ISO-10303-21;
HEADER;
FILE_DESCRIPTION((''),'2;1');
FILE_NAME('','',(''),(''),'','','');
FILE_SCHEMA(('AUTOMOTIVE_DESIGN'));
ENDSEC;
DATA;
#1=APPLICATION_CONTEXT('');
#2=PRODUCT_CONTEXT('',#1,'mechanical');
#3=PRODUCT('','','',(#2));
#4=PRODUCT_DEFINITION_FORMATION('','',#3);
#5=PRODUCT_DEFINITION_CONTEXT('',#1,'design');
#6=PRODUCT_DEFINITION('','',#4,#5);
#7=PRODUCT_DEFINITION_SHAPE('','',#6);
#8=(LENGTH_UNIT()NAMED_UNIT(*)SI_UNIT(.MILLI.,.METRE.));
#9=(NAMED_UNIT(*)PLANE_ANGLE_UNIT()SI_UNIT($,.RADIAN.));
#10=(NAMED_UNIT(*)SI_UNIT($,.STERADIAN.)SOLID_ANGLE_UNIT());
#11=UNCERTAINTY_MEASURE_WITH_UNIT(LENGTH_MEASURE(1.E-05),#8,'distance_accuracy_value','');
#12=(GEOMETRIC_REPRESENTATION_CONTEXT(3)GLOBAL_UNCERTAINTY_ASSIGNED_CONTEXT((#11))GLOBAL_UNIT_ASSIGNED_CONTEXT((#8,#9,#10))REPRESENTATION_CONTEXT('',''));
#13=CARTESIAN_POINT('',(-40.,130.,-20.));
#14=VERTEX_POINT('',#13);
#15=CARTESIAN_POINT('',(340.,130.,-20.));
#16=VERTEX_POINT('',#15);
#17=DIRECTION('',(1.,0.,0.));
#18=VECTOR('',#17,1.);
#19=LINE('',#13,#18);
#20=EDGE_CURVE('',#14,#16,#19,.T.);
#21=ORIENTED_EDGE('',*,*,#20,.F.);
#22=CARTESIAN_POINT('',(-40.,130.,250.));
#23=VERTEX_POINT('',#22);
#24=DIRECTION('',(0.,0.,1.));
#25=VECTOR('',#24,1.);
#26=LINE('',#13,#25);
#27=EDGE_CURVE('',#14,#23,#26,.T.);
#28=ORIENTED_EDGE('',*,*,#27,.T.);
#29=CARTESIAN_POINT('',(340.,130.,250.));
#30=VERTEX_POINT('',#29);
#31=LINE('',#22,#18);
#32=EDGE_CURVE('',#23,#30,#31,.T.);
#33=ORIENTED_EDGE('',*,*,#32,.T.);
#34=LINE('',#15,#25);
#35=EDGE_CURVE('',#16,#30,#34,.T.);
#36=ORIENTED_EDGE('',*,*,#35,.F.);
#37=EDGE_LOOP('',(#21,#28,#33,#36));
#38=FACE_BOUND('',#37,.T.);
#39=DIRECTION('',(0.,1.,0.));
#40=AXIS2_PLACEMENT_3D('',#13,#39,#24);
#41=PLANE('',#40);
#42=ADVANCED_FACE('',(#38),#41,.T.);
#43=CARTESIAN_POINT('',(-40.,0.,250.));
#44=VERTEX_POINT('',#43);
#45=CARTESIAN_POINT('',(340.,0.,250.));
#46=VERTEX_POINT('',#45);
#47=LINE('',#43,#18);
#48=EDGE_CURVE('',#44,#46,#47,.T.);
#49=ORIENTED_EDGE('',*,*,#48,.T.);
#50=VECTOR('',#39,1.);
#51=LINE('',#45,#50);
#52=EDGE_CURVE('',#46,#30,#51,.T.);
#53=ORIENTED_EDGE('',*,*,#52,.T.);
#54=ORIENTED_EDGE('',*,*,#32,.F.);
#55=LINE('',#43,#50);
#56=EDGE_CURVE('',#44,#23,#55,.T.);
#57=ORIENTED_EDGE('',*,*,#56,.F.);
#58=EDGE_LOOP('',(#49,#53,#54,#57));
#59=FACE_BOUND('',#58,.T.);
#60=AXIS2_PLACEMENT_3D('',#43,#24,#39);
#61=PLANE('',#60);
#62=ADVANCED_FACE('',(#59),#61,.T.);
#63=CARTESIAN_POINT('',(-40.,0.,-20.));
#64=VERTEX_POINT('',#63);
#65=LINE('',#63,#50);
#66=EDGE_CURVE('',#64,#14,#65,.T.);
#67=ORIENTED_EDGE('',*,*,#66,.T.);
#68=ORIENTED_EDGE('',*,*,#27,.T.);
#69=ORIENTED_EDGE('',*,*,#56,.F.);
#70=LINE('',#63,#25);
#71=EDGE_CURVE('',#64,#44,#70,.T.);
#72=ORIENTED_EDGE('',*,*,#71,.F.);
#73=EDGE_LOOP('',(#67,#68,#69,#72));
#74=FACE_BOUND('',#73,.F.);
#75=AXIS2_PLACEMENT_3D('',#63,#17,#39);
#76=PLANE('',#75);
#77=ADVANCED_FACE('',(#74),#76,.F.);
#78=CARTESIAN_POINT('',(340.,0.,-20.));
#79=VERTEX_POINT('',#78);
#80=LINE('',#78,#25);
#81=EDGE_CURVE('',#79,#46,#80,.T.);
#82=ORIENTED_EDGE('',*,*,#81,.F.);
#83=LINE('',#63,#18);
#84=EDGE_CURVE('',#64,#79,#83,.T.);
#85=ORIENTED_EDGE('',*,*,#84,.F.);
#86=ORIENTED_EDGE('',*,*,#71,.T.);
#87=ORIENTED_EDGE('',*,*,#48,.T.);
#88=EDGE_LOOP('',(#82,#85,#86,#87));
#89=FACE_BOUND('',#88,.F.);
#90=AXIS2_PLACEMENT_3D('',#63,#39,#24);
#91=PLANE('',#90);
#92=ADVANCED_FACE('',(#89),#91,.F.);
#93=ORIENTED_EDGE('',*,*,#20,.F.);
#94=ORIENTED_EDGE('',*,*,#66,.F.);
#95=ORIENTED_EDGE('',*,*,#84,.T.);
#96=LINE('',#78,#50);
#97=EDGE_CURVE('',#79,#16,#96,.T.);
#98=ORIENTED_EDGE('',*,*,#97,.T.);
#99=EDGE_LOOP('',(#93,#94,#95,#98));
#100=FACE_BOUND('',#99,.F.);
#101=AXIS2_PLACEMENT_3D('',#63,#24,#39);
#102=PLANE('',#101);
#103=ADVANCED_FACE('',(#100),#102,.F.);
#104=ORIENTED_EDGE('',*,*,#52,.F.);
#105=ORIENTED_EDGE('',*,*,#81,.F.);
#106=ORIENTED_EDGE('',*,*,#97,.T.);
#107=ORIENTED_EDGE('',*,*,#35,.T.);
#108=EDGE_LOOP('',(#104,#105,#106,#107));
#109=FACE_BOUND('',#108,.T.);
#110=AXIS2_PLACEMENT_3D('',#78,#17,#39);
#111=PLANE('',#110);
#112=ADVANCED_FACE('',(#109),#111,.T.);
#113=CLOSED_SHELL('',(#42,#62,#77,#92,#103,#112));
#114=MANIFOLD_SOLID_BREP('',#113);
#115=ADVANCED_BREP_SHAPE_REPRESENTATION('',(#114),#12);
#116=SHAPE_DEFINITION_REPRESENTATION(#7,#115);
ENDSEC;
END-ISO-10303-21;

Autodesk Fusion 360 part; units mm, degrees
box "BoxPrimitive1" add length 270 width 380 height 130 placed x (0, 0, 1) y (1, 0, 0) z (0, 1, 0) at (-40, 0, -20)
